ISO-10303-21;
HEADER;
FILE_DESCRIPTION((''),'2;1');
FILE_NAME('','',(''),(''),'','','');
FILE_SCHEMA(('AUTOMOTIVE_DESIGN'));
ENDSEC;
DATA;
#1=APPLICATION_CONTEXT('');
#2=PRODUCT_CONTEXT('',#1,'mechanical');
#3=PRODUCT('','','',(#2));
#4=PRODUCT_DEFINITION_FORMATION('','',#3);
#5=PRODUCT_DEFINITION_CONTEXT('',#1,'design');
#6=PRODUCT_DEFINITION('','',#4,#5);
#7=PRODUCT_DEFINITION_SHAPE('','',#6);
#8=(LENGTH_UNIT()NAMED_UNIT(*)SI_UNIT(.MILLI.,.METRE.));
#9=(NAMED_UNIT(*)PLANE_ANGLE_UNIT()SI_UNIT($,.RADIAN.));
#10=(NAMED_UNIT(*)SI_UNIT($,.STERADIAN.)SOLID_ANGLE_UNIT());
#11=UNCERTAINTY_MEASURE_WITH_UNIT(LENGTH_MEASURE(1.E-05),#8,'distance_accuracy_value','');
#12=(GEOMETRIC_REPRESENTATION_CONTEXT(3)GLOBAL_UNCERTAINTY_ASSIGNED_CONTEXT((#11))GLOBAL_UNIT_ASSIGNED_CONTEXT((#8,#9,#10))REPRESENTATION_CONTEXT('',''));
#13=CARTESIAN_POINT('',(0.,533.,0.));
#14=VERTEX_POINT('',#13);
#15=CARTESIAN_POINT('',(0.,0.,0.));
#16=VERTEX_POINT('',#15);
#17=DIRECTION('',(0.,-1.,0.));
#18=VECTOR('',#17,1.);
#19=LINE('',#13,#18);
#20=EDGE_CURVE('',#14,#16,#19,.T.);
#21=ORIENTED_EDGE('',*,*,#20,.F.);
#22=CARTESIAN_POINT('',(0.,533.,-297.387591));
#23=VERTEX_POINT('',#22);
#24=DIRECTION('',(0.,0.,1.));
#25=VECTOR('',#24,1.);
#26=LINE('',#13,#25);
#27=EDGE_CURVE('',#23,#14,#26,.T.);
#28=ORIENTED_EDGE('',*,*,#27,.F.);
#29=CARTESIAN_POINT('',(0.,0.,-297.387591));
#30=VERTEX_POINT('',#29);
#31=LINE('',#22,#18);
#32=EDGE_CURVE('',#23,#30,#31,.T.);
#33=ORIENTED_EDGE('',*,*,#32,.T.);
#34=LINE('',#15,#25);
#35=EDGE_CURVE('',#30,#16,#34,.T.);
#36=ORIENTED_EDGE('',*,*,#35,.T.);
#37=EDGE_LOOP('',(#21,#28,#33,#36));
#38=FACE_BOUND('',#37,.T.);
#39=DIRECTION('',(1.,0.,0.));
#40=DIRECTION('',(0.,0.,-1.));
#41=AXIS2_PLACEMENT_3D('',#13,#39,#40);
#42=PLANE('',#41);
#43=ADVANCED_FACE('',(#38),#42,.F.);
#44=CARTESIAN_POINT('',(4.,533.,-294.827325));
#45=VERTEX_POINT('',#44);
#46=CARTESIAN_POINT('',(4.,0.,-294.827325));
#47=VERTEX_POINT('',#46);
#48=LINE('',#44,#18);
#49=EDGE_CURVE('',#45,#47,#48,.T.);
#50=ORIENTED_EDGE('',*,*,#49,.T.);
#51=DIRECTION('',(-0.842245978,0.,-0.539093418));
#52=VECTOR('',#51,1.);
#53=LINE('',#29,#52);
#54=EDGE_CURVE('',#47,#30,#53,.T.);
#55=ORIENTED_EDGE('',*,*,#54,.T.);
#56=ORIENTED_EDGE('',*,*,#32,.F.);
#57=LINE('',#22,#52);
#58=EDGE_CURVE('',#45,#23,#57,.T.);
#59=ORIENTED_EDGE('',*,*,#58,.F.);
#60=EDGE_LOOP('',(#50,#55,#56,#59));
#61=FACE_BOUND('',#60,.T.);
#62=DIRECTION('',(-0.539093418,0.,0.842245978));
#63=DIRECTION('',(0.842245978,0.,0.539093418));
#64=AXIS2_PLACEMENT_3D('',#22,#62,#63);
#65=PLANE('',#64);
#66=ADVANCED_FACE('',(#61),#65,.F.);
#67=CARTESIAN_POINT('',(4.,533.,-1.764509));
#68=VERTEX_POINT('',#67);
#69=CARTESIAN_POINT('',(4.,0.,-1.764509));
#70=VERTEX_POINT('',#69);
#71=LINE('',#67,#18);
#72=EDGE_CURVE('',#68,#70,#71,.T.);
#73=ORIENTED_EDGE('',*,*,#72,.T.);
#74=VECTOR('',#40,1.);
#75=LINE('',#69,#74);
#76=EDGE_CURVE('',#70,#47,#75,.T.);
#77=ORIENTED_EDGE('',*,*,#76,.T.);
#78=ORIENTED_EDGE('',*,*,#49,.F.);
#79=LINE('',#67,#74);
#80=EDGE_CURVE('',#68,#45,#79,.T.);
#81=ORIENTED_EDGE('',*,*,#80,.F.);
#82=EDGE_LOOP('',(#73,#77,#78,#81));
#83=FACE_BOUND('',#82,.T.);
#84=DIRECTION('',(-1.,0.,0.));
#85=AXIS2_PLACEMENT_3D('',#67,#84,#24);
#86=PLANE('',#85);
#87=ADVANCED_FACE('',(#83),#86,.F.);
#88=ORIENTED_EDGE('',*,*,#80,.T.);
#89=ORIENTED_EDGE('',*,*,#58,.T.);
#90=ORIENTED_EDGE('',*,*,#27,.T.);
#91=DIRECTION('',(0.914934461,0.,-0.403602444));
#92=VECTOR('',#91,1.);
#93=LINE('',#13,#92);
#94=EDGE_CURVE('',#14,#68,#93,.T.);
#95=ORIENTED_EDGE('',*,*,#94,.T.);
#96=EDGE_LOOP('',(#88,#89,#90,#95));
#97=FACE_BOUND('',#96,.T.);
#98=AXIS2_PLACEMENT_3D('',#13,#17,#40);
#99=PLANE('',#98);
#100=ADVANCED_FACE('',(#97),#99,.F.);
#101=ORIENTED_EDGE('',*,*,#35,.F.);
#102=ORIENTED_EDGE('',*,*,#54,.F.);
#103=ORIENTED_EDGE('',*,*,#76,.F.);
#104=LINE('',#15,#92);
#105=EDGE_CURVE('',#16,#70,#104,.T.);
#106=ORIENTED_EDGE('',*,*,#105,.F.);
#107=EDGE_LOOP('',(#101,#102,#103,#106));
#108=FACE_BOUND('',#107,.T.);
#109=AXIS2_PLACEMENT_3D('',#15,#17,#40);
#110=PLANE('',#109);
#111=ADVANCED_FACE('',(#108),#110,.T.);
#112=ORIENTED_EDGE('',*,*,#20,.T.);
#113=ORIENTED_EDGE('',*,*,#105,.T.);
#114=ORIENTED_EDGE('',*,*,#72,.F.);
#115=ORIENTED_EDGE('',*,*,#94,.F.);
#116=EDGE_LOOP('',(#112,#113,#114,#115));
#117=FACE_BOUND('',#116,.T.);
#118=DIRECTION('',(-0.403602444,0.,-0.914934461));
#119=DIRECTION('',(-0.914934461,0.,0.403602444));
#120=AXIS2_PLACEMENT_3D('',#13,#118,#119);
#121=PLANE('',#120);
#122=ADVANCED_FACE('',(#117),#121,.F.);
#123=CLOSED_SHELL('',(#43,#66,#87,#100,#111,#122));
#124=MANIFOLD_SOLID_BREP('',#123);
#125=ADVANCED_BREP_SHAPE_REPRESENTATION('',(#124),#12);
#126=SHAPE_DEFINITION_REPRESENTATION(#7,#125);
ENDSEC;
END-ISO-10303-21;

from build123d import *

# Parameters (mm, degrees)
EXTRUDE_1_DEPTH = 533


with BuildPart() as part:
    # Эскиз1 → Вытянуть1 (new body)
    with BuildSketch(Plane(origin=(0, 0, 0), x_dir=(1, 0, 0), z_dir=(0, 1, 0))):
        Polygon((0, 0), (4, 1.764508657), (4, 294.827324918), (0, 297.387590837), align=None)
    extrude(amount=EXTRUDE_1_DEPTH)


solid = part.part
